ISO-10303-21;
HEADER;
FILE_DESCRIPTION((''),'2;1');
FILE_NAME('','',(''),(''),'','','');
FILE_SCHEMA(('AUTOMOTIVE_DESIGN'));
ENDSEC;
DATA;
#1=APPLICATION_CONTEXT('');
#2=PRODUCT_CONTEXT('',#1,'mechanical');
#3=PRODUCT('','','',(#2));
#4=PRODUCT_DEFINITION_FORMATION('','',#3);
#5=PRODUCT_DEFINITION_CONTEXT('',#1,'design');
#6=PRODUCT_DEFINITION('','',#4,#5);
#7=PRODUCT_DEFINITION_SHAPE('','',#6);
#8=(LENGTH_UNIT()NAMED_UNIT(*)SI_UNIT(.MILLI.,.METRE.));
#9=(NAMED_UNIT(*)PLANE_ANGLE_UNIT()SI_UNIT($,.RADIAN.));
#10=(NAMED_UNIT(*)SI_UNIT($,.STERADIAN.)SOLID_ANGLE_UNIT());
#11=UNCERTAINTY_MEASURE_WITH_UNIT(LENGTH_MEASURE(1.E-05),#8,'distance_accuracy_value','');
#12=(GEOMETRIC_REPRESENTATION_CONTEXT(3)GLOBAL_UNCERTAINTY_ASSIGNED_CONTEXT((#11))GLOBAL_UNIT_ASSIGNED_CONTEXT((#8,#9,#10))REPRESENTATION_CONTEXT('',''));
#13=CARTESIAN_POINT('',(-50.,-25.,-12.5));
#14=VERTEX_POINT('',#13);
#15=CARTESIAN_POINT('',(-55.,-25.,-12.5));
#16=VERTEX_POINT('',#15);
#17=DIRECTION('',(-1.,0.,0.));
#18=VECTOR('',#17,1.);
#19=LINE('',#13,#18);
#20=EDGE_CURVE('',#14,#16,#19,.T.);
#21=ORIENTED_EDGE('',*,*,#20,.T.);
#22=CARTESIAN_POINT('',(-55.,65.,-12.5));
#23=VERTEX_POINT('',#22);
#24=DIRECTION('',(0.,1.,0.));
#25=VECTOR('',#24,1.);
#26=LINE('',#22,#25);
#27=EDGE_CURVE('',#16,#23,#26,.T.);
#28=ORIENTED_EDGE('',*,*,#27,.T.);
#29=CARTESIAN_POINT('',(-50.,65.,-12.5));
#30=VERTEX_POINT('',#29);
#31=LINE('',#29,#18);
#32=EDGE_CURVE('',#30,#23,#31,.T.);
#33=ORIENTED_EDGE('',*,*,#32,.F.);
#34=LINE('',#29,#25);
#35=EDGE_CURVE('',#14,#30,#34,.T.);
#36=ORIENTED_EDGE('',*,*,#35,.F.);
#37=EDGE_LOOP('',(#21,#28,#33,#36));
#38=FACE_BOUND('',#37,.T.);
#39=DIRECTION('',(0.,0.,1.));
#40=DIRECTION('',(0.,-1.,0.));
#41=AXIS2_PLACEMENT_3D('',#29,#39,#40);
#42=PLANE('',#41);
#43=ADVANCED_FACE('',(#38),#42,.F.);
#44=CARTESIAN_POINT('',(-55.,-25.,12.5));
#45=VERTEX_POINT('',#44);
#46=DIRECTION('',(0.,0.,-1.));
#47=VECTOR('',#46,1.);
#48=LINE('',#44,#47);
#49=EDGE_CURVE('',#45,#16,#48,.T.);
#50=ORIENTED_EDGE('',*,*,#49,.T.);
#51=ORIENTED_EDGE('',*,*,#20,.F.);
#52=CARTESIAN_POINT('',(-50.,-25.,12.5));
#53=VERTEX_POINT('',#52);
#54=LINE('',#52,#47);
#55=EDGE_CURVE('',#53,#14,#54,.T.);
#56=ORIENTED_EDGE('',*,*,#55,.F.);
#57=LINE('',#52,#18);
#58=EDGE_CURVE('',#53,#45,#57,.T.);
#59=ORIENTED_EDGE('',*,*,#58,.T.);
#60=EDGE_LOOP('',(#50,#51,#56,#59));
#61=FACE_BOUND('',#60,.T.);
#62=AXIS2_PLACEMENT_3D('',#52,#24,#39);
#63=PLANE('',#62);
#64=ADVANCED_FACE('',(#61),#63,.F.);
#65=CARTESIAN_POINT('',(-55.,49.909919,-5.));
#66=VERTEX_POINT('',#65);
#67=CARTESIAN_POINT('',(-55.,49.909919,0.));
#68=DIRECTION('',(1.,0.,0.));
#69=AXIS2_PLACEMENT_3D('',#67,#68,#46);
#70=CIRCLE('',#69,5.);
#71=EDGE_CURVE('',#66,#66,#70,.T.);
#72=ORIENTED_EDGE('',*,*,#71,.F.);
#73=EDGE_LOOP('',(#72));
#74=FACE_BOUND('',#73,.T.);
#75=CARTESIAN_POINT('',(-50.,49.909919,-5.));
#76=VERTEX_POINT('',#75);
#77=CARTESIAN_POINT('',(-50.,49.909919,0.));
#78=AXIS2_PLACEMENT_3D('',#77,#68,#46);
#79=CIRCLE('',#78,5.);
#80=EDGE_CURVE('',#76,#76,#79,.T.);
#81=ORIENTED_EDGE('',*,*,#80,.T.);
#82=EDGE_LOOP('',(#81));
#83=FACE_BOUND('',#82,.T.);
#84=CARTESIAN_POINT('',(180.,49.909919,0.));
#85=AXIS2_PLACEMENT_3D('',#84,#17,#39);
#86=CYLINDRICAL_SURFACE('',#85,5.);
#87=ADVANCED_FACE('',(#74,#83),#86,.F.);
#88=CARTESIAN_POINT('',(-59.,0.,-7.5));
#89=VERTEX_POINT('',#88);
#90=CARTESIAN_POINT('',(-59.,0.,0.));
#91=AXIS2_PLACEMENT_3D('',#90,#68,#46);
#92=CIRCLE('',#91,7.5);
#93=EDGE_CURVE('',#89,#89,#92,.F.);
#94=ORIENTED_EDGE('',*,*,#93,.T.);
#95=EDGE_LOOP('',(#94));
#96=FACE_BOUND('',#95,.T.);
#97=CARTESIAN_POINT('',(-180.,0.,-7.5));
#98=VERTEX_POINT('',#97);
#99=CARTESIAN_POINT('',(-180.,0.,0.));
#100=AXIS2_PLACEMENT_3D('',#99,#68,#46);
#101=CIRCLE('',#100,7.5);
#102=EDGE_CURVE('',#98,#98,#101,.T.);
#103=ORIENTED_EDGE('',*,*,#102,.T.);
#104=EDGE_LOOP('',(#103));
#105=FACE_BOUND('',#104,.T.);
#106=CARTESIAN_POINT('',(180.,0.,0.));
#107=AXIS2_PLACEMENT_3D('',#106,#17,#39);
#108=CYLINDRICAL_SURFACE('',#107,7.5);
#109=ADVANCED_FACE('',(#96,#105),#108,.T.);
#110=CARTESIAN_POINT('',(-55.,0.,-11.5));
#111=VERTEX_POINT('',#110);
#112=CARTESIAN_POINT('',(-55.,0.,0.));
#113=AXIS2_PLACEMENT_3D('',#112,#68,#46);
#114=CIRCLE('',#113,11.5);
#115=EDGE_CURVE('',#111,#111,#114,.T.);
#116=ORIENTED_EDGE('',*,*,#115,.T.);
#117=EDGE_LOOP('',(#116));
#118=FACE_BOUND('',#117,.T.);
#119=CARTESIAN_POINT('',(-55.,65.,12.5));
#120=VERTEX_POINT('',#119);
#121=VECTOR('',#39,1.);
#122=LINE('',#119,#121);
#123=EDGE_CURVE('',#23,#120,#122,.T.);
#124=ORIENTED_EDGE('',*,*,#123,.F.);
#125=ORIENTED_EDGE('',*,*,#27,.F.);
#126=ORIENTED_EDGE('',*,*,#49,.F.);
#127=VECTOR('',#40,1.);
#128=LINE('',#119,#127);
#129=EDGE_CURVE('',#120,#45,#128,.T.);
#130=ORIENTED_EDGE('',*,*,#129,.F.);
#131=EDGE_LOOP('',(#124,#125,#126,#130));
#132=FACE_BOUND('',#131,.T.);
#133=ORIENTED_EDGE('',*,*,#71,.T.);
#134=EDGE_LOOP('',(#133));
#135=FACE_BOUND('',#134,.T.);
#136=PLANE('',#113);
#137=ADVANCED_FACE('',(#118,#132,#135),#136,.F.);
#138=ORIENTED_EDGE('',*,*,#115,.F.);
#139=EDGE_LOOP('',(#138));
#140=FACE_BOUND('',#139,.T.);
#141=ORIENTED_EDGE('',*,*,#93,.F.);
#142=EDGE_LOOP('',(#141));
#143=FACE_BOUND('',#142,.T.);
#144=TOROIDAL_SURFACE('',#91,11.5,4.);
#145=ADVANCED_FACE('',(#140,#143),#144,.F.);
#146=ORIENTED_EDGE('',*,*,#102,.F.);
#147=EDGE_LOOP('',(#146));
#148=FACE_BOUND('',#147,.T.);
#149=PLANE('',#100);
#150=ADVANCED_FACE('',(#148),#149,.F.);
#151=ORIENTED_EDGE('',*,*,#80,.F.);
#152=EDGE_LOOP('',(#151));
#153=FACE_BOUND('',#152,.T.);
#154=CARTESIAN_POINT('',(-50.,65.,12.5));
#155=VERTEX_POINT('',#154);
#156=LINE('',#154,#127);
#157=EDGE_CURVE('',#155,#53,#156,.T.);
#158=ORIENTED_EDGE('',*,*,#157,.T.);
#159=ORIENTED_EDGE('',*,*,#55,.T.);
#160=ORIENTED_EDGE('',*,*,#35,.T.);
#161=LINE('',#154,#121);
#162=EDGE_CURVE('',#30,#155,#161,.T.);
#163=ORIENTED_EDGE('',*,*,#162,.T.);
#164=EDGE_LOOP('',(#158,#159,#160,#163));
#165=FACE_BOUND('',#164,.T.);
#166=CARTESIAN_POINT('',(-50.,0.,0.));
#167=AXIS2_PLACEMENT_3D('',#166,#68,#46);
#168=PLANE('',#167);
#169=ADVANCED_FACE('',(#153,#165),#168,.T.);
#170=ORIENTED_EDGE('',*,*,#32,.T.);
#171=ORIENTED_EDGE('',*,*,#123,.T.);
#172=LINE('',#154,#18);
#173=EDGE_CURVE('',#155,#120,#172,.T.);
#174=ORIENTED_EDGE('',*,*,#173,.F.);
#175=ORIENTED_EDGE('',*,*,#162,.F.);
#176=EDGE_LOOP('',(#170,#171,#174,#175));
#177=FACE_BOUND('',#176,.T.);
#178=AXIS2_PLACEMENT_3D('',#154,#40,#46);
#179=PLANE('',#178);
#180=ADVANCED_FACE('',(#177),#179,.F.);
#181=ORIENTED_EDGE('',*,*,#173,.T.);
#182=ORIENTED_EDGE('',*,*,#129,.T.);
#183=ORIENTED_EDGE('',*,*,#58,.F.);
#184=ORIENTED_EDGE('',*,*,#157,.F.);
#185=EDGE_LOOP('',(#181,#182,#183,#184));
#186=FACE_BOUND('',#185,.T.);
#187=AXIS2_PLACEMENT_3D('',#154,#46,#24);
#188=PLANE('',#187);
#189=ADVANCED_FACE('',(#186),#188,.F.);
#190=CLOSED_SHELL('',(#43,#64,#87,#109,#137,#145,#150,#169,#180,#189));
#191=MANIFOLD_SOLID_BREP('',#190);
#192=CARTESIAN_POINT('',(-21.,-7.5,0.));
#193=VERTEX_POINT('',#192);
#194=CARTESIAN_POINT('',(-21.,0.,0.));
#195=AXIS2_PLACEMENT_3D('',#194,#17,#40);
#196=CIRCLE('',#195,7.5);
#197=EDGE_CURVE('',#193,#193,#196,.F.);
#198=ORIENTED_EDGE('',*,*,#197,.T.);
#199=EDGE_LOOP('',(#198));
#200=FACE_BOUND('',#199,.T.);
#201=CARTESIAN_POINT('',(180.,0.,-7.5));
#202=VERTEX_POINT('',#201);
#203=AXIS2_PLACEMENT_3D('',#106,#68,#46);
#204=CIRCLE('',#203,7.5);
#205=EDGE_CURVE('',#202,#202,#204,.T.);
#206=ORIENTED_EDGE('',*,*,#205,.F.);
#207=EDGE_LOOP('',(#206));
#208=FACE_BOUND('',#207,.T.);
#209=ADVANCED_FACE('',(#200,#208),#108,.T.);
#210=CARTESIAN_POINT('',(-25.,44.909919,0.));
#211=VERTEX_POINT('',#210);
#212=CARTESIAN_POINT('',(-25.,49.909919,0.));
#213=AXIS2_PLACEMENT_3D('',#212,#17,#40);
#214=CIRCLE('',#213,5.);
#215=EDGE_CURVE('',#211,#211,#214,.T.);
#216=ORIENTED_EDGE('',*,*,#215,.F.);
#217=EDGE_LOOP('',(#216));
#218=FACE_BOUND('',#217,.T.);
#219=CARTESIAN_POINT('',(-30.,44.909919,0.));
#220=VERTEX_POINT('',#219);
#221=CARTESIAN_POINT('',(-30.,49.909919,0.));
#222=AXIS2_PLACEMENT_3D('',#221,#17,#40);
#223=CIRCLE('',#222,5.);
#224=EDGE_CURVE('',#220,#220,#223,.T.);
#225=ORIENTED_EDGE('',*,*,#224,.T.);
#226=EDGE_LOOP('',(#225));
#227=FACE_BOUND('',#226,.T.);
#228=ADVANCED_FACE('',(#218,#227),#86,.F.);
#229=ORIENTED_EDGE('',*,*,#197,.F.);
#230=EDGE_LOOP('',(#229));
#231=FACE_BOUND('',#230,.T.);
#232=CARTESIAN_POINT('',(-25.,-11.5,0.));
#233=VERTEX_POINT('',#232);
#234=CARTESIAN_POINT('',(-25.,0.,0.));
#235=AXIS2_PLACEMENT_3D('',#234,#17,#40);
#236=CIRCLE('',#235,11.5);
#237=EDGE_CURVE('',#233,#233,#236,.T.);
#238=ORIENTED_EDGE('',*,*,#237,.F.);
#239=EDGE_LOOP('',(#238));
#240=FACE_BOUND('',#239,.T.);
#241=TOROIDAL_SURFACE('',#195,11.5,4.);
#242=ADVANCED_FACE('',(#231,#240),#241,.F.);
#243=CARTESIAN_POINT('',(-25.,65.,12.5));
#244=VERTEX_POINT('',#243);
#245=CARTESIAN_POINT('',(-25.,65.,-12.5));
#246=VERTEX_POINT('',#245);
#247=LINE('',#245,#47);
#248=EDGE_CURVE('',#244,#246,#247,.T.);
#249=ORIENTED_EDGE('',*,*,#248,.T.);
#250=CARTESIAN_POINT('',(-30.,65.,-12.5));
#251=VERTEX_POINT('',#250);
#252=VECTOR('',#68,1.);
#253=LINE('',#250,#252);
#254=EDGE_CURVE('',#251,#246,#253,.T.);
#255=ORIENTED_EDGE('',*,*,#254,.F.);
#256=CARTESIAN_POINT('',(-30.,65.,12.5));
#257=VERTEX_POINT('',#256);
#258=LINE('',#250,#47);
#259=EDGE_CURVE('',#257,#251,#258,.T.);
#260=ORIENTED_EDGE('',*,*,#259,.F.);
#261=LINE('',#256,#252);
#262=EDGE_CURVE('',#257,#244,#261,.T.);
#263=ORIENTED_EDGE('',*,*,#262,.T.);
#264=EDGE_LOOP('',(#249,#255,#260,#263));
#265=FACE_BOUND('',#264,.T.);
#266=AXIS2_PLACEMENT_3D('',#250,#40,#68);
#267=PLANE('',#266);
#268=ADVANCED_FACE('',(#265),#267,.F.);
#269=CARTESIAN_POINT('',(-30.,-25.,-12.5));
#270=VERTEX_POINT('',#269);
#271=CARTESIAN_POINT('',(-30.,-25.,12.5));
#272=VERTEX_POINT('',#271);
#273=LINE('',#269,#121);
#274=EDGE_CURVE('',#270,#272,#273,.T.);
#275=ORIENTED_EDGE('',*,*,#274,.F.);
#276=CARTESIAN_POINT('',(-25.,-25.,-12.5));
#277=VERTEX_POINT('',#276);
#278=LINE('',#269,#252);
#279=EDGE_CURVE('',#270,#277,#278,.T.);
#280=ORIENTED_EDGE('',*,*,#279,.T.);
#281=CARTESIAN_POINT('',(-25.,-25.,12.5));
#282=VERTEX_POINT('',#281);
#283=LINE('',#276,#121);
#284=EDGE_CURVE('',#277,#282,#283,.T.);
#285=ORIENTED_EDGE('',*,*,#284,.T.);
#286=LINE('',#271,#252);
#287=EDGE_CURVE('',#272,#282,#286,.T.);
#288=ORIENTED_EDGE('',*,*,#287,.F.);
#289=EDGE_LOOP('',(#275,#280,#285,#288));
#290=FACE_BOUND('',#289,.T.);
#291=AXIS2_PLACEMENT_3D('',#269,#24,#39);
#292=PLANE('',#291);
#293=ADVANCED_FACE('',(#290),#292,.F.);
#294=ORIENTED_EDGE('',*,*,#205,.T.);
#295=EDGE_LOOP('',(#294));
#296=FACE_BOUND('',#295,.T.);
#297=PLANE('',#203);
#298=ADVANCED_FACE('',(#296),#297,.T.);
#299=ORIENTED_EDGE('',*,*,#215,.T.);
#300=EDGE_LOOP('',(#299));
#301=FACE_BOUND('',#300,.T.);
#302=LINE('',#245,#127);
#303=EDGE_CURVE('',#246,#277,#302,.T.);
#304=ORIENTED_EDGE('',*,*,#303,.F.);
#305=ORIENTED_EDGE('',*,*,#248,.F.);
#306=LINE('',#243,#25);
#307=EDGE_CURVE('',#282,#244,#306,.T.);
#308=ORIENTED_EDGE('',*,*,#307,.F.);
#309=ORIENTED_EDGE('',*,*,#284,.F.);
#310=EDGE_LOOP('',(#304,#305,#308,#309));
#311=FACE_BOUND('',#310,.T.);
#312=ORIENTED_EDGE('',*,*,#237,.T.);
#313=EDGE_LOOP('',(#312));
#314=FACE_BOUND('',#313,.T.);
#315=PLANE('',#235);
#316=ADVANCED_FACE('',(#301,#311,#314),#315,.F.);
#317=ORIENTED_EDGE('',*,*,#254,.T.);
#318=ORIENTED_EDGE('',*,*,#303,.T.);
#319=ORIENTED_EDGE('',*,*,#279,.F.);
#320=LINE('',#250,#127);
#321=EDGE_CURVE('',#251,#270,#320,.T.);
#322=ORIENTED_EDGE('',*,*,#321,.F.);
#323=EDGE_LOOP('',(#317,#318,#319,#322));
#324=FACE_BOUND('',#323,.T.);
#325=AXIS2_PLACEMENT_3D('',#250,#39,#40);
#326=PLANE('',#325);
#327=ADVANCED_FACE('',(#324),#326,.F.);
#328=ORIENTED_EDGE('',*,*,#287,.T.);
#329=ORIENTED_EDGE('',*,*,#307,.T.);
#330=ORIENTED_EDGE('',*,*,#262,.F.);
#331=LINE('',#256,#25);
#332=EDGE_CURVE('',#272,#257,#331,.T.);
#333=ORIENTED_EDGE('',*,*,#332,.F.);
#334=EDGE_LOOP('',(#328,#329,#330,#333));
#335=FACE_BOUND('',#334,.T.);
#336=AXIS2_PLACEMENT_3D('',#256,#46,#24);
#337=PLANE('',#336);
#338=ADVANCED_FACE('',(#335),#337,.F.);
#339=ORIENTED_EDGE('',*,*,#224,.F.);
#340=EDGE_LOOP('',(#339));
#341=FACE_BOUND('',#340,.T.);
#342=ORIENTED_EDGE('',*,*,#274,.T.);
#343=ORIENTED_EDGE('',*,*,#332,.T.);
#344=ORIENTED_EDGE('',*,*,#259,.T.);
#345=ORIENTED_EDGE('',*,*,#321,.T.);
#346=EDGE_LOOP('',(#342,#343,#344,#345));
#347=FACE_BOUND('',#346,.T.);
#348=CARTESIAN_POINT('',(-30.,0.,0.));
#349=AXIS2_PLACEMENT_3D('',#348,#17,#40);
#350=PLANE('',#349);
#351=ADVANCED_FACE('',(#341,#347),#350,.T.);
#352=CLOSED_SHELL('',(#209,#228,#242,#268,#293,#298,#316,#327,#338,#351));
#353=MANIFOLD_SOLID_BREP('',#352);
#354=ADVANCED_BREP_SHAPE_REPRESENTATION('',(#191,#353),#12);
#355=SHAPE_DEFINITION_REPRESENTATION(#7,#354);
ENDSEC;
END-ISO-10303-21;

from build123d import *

# Parameters (mm, degrees)
SKETCH1_R               = 7.5
BOSS_EXTRUDE1_DEPTH     = 180
SKETCH2_W               = 30
SKETCH2_H               = 30
CUT_EXTRUDE1_DEPTH      = 180
SKETCH4_W               = 25
SKETCH4_H               = 90
BOSS_EXTRUDE2_DEPTH     = 5
SKETCH5_W               = 25
SKETCH5_H               = 90
BOSS_EXTRUDE3_DEPTH     = 5
SKETCH6_R               = 5
CUT_EXTRUDE2_DEPTH      = 126
CUT_EXTRUDE2_DEPTH_BACK = 236
FILLET1_R               = 4
FILLET2_R               = 4


with BuildPart() as part:
    # Sketch1 → Boss-Extrude1 (new body, symmetric)
    with BuildSketch(Plane(origin=(0, 0, 0), x_dir=(0, 0, -1), z_dir=(1, 0, 0))):
        Circle(SKETCH1_R)
    extrude(amount=BOSS_EXTRUDE1_DEPTH, both=True)

    # Sketch2 → Cut-Extrude1 (cut, symmetric)
    with BuildSketch(Plane.XY):
        with Locations((-40, 0)):
            Rectangle(SKETCH2_W, SKETCH2_H)
    extrude(amount=CUT_EXTRUDE1_DEPTH, both=True, mode=Mode.SUBTRACT)

    # Sketch4 → Boss-Extrude2 (add)
    with BuildSketch(Plane.ZY.offset(25)):
        with Locations((0, 20)):
            Rectangle(SKETCH4_W, SKETCH4_H)
    extrude(amount=BOSS_EXTRUDE2_DEPTH)

    # Sketch5 → Boss-Extrude3 (add)
    with BuildSketch(Plane(origin=(-55, 0, 0), x_dir=(0, 0, -1), z_dir=(1, 0, 0))):
        with Locations((0, 20)):
            Rectangle(SKETCH5_W, SKETCH5_H)
    extrude(amount=BOSS_EXTRUDE3_DEPTH)

    # Sketch6 → Cut-Extrude2 (cut, two sides)
    with BuildSketch(Plane.ZY.offset(55)) as cut_extrude2_sk:
        with Locations((0, 49.909918854)):
            Circle(SKETCH6_R)
    extrude(amount=CUT_EXTRUDE2_DEPTH, mode=Mode.SUBTRACT)
    extrude(cut_extrude2_sk.sketch, amount=-CUT_EXTRUDE2_DEPTH_BACK, mode=Mode.SUBTRACT)

    # Fillet1
    fillet1_edges = [part.edges().sort_by_distance(p)[0] for p in [
        (-55, 0, 7.5),
    ]]
    fillet(fillet1_edges, radius=FILLET1_R)

    # Fillet2
    fillet2_edges = [part.edges().sort_by_distance(p)[0] for p in [
        (-25, 0, 7.5),
    ]]
    fillet(fillet2_edges, radius=FILLET2_R)


solid = part.part
